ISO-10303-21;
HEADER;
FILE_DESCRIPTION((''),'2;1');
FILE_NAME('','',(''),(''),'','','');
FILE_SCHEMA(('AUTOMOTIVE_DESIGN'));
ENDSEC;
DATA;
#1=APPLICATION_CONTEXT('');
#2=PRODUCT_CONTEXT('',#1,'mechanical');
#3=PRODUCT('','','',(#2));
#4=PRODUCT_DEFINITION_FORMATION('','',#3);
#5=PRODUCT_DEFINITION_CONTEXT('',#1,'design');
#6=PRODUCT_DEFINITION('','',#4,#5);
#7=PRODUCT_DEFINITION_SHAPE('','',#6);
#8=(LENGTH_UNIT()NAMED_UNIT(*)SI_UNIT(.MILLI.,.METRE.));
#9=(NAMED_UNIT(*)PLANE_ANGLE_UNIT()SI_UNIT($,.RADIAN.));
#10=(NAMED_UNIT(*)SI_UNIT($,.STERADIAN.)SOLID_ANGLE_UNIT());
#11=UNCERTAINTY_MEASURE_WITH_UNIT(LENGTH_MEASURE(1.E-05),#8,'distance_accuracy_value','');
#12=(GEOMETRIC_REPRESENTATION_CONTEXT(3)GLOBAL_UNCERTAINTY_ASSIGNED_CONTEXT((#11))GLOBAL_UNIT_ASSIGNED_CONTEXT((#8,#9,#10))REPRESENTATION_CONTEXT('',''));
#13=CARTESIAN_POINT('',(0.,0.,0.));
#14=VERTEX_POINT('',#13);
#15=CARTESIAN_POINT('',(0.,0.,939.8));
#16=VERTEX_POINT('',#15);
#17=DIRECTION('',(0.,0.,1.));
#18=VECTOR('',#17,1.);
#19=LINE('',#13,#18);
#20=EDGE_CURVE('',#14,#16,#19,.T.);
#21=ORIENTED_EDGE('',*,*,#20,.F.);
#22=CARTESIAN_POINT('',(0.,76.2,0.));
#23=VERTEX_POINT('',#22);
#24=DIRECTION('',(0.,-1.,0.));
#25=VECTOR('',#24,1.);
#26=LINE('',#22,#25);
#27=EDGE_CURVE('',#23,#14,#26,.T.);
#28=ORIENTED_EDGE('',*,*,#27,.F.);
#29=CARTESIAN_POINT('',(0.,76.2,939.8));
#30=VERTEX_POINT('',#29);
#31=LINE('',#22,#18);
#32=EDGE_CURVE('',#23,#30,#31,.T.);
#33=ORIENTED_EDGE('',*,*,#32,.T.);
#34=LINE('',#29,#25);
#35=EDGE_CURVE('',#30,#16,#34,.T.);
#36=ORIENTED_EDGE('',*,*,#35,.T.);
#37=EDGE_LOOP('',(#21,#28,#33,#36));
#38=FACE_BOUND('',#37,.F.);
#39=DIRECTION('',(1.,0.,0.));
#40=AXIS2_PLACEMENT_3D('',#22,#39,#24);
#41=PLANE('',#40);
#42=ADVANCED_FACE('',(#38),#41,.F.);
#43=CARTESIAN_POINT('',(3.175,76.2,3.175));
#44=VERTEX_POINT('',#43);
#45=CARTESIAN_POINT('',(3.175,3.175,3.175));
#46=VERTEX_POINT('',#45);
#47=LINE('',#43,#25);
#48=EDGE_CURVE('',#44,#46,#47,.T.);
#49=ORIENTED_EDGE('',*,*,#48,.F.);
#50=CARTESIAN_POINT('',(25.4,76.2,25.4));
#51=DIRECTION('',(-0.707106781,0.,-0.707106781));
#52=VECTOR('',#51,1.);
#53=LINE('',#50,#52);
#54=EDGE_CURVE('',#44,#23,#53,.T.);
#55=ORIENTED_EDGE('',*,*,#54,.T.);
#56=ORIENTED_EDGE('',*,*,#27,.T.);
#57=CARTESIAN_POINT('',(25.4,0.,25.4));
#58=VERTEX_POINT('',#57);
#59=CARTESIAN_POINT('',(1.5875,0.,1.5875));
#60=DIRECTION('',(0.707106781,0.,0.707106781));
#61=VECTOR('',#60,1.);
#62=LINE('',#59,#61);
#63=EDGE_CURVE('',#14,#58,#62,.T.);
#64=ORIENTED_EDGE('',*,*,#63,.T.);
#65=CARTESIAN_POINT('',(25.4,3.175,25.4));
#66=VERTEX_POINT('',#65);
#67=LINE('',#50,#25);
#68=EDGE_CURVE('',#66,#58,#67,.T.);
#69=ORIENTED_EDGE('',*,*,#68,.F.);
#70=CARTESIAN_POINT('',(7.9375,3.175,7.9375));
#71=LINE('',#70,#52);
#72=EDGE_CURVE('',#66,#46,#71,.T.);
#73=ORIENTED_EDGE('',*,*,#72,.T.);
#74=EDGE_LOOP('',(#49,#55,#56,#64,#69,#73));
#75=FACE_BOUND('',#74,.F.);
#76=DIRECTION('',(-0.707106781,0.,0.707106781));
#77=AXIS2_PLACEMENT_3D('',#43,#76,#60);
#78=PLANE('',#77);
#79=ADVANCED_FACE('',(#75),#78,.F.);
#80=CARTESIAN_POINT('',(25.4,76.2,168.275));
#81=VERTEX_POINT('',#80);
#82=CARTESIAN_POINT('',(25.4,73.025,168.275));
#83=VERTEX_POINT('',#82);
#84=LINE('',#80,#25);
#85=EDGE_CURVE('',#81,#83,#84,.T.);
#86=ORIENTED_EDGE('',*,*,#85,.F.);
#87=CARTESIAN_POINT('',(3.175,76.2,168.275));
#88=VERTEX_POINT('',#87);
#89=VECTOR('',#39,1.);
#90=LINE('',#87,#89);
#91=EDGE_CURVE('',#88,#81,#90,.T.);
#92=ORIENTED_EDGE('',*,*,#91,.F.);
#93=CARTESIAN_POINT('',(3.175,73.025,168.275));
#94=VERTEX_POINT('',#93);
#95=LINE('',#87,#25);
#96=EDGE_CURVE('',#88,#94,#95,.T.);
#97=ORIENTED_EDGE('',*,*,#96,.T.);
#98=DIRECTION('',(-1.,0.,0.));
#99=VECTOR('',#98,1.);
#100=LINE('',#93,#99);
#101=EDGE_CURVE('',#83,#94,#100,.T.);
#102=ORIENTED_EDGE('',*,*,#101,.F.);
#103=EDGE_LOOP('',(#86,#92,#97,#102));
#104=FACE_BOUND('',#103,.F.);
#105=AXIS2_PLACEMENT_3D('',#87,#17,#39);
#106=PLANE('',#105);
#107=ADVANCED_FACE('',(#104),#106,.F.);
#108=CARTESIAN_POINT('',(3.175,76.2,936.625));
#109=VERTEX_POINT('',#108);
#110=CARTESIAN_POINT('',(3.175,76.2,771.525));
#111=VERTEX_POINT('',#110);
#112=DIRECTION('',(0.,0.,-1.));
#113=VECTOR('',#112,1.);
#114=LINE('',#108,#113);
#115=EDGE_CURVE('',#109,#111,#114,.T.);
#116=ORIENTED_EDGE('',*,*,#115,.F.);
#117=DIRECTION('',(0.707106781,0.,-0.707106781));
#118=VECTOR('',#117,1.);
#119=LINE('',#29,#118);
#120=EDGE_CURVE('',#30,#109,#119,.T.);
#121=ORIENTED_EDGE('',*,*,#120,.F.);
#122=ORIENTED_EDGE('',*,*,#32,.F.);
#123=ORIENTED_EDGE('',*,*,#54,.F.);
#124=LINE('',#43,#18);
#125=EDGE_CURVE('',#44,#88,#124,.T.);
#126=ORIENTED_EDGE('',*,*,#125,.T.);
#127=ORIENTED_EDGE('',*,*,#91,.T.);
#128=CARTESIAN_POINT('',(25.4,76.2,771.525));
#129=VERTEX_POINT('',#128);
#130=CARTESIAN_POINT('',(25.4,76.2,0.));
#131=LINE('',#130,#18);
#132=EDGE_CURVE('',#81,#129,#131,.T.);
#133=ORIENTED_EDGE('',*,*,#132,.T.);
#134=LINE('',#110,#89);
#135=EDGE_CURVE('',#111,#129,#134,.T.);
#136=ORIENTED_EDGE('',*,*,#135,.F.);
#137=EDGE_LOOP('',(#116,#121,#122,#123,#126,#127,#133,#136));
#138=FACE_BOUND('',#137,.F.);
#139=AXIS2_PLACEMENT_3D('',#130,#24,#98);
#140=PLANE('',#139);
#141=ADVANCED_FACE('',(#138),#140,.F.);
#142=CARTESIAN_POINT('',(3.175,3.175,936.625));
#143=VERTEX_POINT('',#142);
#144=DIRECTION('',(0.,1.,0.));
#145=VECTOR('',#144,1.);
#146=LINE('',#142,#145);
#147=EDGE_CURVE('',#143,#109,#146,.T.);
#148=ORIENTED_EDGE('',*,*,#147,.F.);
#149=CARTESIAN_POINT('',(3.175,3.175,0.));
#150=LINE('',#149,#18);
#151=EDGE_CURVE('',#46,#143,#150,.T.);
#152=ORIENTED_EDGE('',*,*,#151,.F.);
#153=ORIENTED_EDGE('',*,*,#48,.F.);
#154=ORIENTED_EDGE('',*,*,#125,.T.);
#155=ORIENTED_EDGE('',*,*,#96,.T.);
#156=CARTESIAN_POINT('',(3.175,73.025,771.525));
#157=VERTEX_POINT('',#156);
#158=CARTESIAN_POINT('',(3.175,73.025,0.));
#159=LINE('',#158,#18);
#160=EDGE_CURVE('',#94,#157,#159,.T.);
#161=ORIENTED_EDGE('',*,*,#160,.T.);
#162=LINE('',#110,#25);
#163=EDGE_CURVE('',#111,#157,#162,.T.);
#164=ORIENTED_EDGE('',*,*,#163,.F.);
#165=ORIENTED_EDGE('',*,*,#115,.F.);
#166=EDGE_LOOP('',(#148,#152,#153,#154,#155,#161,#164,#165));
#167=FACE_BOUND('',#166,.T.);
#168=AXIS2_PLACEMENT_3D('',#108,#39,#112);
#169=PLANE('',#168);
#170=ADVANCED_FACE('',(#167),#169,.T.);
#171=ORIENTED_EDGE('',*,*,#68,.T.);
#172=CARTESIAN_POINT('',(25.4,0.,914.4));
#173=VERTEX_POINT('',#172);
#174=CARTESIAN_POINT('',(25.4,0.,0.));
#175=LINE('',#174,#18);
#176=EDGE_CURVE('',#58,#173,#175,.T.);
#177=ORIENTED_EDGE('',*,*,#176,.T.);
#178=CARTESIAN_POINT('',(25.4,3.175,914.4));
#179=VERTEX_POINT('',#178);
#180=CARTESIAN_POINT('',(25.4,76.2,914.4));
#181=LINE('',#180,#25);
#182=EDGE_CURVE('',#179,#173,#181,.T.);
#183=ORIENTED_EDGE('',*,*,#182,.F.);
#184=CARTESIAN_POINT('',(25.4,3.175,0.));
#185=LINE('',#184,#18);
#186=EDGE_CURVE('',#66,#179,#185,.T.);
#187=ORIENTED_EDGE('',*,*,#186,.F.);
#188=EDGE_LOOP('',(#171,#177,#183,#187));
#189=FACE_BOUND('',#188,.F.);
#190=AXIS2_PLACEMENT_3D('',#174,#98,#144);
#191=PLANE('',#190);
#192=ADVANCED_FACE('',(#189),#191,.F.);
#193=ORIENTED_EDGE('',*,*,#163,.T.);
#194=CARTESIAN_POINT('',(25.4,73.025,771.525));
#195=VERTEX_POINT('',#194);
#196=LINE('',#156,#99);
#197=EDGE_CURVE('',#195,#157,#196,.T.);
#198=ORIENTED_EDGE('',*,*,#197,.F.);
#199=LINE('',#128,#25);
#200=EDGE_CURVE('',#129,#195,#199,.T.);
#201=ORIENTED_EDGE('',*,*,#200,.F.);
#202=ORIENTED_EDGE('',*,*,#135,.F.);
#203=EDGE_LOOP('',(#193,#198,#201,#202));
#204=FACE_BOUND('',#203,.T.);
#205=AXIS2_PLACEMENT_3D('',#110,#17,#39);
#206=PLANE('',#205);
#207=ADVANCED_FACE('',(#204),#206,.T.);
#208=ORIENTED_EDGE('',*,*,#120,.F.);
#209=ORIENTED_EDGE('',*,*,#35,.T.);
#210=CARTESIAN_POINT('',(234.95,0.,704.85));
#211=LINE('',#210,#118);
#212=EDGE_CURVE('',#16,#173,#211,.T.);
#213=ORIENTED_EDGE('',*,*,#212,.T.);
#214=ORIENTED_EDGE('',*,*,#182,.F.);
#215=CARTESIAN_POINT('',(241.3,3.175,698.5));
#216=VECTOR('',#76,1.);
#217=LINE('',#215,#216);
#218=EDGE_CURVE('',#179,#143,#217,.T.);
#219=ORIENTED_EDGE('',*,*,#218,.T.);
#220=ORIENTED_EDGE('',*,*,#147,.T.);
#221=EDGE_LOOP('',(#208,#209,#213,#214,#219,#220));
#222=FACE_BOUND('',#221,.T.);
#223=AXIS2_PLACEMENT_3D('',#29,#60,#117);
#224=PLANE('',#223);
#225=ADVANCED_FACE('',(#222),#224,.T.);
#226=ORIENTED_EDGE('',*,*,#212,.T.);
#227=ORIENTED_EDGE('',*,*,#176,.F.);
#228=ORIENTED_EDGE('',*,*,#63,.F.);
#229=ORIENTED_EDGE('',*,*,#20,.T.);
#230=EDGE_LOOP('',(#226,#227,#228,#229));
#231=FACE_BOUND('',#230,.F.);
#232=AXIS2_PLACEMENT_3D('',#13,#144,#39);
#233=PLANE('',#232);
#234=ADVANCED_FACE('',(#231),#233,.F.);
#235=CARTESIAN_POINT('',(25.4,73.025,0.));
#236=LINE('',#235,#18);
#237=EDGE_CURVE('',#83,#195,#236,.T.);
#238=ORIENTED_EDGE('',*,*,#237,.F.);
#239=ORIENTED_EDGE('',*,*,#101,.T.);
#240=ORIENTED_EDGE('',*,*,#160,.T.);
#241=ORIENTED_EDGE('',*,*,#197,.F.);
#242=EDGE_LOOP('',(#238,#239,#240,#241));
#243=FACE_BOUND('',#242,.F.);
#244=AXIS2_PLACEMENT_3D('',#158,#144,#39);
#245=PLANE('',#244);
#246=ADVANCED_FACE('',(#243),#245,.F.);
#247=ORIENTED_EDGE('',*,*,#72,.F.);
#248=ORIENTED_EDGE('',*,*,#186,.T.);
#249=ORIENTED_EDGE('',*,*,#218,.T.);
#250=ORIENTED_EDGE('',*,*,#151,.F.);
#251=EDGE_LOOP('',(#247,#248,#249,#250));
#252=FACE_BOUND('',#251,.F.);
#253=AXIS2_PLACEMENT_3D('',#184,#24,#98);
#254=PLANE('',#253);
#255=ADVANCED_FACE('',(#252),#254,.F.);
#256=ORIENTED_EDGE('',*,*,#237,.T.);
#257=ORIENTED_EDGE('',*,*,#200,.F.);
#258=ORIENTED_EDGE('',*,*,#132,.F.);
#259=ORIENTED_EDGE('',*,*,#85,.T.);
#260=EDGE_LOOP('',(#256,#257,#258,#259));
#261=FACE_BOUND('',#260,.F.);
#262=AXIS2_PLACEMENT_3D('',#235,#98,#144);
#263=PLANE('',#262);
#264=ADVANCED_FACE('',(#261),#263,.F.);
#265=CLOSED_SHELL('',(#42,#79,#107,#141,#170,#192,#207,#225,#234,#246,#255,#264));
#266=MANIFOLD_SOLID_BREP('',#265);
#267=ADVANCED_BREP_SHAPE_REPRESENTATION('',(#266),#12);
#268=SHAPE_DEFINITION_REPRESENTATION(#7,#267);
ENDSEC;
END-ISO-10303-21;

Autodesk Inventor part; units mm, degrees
ref_plane "YZ Plane" through (0, 0, 0) normal (1, 0, 0) x (0, 1, 0)
ref_plane "XZ Plane" through (0, 0, 0) normal (0, 1, 0) x (-1, 0, 0)
ref_plane "XY Plane" through (0, 0, 0) normal (0, 0, 1) x (1, 0, 0)
sketch "Sketch1" plane through (0, 0, 0) normal (0, 0, 1) x (1, 0, 0)
  line L0 (0, 0) -> (25.4, 0)
  line L1 (25.4, 76.2) -> (0, 76.2)
  line L2 (0, 76.2) -> (0, 0)
  line L3 (25.4, 3.175) -> (3.175, 3.175)
  line L4 (3.175, 3.175) -> (3.175, 73.025)
  line L5 (3.175, 73.025) -> (25.4, 73.025)
  line L6 (25.4, 0) -> (25.4, 3.175)
  line L7 (25.4, 73.025) -> (25.4, 76.2)
  dimension "d0" = 76.2
  dimension "d1" = 25.4
  dimension "d2" = 3.175
  dimension "d3" = 3.175
  dimension "d4" = 3.175
extrude "Extrusion1" add sketch "Sketch1" along normal blind 939.8
sketch "Sketch2" plane through (0, 76.2, 0) normal (0, 1, 0) x (1, 0, 0)
  line L0 (0, -939.8) -> (25.4, -939.8) projected
  line L1 (25.4, 0) -> (25.4, -939.8) projected
  line L2 (25.4, 0) -> (0, 0) projected
  line L3 (0, 0) -> (0, -939.8) projected
  line L4 (0, -939.8) -> (25.4, -914.4)
  line L5 (0, 0) -> (25.4, -25.4)
  line L6 (3.175, -936.625) -> (3.175, -771.525)
  line L7 (3.175, -771.525) -> (25.4, -771.525)
  line L8 (3.175, -3.175) -> (3.175, -168.275)
  line L9 (3.175, -168.275) -> (25.4, -168.275)
  dimension "d7" = 45
  dimension "d8" = 3.175
  dimension "d9" = 165.1
  dimension "d10" = 165.1
extrude "Extrusion2" cut sketch "Sketch2" against normal through all contours L4 L1 L0 | L2 L1 L5
extrude "Extrusion3" cut sketch "Sketch2" against normal up to next contours L6 L7 L1 L4 | L5 L1 L9 L8
equation "\"d3\" = d2"
equation "\"d4\" = d2"
equation "\"d10\" = d9"
properties part number "frame U 1 by 3 long"
